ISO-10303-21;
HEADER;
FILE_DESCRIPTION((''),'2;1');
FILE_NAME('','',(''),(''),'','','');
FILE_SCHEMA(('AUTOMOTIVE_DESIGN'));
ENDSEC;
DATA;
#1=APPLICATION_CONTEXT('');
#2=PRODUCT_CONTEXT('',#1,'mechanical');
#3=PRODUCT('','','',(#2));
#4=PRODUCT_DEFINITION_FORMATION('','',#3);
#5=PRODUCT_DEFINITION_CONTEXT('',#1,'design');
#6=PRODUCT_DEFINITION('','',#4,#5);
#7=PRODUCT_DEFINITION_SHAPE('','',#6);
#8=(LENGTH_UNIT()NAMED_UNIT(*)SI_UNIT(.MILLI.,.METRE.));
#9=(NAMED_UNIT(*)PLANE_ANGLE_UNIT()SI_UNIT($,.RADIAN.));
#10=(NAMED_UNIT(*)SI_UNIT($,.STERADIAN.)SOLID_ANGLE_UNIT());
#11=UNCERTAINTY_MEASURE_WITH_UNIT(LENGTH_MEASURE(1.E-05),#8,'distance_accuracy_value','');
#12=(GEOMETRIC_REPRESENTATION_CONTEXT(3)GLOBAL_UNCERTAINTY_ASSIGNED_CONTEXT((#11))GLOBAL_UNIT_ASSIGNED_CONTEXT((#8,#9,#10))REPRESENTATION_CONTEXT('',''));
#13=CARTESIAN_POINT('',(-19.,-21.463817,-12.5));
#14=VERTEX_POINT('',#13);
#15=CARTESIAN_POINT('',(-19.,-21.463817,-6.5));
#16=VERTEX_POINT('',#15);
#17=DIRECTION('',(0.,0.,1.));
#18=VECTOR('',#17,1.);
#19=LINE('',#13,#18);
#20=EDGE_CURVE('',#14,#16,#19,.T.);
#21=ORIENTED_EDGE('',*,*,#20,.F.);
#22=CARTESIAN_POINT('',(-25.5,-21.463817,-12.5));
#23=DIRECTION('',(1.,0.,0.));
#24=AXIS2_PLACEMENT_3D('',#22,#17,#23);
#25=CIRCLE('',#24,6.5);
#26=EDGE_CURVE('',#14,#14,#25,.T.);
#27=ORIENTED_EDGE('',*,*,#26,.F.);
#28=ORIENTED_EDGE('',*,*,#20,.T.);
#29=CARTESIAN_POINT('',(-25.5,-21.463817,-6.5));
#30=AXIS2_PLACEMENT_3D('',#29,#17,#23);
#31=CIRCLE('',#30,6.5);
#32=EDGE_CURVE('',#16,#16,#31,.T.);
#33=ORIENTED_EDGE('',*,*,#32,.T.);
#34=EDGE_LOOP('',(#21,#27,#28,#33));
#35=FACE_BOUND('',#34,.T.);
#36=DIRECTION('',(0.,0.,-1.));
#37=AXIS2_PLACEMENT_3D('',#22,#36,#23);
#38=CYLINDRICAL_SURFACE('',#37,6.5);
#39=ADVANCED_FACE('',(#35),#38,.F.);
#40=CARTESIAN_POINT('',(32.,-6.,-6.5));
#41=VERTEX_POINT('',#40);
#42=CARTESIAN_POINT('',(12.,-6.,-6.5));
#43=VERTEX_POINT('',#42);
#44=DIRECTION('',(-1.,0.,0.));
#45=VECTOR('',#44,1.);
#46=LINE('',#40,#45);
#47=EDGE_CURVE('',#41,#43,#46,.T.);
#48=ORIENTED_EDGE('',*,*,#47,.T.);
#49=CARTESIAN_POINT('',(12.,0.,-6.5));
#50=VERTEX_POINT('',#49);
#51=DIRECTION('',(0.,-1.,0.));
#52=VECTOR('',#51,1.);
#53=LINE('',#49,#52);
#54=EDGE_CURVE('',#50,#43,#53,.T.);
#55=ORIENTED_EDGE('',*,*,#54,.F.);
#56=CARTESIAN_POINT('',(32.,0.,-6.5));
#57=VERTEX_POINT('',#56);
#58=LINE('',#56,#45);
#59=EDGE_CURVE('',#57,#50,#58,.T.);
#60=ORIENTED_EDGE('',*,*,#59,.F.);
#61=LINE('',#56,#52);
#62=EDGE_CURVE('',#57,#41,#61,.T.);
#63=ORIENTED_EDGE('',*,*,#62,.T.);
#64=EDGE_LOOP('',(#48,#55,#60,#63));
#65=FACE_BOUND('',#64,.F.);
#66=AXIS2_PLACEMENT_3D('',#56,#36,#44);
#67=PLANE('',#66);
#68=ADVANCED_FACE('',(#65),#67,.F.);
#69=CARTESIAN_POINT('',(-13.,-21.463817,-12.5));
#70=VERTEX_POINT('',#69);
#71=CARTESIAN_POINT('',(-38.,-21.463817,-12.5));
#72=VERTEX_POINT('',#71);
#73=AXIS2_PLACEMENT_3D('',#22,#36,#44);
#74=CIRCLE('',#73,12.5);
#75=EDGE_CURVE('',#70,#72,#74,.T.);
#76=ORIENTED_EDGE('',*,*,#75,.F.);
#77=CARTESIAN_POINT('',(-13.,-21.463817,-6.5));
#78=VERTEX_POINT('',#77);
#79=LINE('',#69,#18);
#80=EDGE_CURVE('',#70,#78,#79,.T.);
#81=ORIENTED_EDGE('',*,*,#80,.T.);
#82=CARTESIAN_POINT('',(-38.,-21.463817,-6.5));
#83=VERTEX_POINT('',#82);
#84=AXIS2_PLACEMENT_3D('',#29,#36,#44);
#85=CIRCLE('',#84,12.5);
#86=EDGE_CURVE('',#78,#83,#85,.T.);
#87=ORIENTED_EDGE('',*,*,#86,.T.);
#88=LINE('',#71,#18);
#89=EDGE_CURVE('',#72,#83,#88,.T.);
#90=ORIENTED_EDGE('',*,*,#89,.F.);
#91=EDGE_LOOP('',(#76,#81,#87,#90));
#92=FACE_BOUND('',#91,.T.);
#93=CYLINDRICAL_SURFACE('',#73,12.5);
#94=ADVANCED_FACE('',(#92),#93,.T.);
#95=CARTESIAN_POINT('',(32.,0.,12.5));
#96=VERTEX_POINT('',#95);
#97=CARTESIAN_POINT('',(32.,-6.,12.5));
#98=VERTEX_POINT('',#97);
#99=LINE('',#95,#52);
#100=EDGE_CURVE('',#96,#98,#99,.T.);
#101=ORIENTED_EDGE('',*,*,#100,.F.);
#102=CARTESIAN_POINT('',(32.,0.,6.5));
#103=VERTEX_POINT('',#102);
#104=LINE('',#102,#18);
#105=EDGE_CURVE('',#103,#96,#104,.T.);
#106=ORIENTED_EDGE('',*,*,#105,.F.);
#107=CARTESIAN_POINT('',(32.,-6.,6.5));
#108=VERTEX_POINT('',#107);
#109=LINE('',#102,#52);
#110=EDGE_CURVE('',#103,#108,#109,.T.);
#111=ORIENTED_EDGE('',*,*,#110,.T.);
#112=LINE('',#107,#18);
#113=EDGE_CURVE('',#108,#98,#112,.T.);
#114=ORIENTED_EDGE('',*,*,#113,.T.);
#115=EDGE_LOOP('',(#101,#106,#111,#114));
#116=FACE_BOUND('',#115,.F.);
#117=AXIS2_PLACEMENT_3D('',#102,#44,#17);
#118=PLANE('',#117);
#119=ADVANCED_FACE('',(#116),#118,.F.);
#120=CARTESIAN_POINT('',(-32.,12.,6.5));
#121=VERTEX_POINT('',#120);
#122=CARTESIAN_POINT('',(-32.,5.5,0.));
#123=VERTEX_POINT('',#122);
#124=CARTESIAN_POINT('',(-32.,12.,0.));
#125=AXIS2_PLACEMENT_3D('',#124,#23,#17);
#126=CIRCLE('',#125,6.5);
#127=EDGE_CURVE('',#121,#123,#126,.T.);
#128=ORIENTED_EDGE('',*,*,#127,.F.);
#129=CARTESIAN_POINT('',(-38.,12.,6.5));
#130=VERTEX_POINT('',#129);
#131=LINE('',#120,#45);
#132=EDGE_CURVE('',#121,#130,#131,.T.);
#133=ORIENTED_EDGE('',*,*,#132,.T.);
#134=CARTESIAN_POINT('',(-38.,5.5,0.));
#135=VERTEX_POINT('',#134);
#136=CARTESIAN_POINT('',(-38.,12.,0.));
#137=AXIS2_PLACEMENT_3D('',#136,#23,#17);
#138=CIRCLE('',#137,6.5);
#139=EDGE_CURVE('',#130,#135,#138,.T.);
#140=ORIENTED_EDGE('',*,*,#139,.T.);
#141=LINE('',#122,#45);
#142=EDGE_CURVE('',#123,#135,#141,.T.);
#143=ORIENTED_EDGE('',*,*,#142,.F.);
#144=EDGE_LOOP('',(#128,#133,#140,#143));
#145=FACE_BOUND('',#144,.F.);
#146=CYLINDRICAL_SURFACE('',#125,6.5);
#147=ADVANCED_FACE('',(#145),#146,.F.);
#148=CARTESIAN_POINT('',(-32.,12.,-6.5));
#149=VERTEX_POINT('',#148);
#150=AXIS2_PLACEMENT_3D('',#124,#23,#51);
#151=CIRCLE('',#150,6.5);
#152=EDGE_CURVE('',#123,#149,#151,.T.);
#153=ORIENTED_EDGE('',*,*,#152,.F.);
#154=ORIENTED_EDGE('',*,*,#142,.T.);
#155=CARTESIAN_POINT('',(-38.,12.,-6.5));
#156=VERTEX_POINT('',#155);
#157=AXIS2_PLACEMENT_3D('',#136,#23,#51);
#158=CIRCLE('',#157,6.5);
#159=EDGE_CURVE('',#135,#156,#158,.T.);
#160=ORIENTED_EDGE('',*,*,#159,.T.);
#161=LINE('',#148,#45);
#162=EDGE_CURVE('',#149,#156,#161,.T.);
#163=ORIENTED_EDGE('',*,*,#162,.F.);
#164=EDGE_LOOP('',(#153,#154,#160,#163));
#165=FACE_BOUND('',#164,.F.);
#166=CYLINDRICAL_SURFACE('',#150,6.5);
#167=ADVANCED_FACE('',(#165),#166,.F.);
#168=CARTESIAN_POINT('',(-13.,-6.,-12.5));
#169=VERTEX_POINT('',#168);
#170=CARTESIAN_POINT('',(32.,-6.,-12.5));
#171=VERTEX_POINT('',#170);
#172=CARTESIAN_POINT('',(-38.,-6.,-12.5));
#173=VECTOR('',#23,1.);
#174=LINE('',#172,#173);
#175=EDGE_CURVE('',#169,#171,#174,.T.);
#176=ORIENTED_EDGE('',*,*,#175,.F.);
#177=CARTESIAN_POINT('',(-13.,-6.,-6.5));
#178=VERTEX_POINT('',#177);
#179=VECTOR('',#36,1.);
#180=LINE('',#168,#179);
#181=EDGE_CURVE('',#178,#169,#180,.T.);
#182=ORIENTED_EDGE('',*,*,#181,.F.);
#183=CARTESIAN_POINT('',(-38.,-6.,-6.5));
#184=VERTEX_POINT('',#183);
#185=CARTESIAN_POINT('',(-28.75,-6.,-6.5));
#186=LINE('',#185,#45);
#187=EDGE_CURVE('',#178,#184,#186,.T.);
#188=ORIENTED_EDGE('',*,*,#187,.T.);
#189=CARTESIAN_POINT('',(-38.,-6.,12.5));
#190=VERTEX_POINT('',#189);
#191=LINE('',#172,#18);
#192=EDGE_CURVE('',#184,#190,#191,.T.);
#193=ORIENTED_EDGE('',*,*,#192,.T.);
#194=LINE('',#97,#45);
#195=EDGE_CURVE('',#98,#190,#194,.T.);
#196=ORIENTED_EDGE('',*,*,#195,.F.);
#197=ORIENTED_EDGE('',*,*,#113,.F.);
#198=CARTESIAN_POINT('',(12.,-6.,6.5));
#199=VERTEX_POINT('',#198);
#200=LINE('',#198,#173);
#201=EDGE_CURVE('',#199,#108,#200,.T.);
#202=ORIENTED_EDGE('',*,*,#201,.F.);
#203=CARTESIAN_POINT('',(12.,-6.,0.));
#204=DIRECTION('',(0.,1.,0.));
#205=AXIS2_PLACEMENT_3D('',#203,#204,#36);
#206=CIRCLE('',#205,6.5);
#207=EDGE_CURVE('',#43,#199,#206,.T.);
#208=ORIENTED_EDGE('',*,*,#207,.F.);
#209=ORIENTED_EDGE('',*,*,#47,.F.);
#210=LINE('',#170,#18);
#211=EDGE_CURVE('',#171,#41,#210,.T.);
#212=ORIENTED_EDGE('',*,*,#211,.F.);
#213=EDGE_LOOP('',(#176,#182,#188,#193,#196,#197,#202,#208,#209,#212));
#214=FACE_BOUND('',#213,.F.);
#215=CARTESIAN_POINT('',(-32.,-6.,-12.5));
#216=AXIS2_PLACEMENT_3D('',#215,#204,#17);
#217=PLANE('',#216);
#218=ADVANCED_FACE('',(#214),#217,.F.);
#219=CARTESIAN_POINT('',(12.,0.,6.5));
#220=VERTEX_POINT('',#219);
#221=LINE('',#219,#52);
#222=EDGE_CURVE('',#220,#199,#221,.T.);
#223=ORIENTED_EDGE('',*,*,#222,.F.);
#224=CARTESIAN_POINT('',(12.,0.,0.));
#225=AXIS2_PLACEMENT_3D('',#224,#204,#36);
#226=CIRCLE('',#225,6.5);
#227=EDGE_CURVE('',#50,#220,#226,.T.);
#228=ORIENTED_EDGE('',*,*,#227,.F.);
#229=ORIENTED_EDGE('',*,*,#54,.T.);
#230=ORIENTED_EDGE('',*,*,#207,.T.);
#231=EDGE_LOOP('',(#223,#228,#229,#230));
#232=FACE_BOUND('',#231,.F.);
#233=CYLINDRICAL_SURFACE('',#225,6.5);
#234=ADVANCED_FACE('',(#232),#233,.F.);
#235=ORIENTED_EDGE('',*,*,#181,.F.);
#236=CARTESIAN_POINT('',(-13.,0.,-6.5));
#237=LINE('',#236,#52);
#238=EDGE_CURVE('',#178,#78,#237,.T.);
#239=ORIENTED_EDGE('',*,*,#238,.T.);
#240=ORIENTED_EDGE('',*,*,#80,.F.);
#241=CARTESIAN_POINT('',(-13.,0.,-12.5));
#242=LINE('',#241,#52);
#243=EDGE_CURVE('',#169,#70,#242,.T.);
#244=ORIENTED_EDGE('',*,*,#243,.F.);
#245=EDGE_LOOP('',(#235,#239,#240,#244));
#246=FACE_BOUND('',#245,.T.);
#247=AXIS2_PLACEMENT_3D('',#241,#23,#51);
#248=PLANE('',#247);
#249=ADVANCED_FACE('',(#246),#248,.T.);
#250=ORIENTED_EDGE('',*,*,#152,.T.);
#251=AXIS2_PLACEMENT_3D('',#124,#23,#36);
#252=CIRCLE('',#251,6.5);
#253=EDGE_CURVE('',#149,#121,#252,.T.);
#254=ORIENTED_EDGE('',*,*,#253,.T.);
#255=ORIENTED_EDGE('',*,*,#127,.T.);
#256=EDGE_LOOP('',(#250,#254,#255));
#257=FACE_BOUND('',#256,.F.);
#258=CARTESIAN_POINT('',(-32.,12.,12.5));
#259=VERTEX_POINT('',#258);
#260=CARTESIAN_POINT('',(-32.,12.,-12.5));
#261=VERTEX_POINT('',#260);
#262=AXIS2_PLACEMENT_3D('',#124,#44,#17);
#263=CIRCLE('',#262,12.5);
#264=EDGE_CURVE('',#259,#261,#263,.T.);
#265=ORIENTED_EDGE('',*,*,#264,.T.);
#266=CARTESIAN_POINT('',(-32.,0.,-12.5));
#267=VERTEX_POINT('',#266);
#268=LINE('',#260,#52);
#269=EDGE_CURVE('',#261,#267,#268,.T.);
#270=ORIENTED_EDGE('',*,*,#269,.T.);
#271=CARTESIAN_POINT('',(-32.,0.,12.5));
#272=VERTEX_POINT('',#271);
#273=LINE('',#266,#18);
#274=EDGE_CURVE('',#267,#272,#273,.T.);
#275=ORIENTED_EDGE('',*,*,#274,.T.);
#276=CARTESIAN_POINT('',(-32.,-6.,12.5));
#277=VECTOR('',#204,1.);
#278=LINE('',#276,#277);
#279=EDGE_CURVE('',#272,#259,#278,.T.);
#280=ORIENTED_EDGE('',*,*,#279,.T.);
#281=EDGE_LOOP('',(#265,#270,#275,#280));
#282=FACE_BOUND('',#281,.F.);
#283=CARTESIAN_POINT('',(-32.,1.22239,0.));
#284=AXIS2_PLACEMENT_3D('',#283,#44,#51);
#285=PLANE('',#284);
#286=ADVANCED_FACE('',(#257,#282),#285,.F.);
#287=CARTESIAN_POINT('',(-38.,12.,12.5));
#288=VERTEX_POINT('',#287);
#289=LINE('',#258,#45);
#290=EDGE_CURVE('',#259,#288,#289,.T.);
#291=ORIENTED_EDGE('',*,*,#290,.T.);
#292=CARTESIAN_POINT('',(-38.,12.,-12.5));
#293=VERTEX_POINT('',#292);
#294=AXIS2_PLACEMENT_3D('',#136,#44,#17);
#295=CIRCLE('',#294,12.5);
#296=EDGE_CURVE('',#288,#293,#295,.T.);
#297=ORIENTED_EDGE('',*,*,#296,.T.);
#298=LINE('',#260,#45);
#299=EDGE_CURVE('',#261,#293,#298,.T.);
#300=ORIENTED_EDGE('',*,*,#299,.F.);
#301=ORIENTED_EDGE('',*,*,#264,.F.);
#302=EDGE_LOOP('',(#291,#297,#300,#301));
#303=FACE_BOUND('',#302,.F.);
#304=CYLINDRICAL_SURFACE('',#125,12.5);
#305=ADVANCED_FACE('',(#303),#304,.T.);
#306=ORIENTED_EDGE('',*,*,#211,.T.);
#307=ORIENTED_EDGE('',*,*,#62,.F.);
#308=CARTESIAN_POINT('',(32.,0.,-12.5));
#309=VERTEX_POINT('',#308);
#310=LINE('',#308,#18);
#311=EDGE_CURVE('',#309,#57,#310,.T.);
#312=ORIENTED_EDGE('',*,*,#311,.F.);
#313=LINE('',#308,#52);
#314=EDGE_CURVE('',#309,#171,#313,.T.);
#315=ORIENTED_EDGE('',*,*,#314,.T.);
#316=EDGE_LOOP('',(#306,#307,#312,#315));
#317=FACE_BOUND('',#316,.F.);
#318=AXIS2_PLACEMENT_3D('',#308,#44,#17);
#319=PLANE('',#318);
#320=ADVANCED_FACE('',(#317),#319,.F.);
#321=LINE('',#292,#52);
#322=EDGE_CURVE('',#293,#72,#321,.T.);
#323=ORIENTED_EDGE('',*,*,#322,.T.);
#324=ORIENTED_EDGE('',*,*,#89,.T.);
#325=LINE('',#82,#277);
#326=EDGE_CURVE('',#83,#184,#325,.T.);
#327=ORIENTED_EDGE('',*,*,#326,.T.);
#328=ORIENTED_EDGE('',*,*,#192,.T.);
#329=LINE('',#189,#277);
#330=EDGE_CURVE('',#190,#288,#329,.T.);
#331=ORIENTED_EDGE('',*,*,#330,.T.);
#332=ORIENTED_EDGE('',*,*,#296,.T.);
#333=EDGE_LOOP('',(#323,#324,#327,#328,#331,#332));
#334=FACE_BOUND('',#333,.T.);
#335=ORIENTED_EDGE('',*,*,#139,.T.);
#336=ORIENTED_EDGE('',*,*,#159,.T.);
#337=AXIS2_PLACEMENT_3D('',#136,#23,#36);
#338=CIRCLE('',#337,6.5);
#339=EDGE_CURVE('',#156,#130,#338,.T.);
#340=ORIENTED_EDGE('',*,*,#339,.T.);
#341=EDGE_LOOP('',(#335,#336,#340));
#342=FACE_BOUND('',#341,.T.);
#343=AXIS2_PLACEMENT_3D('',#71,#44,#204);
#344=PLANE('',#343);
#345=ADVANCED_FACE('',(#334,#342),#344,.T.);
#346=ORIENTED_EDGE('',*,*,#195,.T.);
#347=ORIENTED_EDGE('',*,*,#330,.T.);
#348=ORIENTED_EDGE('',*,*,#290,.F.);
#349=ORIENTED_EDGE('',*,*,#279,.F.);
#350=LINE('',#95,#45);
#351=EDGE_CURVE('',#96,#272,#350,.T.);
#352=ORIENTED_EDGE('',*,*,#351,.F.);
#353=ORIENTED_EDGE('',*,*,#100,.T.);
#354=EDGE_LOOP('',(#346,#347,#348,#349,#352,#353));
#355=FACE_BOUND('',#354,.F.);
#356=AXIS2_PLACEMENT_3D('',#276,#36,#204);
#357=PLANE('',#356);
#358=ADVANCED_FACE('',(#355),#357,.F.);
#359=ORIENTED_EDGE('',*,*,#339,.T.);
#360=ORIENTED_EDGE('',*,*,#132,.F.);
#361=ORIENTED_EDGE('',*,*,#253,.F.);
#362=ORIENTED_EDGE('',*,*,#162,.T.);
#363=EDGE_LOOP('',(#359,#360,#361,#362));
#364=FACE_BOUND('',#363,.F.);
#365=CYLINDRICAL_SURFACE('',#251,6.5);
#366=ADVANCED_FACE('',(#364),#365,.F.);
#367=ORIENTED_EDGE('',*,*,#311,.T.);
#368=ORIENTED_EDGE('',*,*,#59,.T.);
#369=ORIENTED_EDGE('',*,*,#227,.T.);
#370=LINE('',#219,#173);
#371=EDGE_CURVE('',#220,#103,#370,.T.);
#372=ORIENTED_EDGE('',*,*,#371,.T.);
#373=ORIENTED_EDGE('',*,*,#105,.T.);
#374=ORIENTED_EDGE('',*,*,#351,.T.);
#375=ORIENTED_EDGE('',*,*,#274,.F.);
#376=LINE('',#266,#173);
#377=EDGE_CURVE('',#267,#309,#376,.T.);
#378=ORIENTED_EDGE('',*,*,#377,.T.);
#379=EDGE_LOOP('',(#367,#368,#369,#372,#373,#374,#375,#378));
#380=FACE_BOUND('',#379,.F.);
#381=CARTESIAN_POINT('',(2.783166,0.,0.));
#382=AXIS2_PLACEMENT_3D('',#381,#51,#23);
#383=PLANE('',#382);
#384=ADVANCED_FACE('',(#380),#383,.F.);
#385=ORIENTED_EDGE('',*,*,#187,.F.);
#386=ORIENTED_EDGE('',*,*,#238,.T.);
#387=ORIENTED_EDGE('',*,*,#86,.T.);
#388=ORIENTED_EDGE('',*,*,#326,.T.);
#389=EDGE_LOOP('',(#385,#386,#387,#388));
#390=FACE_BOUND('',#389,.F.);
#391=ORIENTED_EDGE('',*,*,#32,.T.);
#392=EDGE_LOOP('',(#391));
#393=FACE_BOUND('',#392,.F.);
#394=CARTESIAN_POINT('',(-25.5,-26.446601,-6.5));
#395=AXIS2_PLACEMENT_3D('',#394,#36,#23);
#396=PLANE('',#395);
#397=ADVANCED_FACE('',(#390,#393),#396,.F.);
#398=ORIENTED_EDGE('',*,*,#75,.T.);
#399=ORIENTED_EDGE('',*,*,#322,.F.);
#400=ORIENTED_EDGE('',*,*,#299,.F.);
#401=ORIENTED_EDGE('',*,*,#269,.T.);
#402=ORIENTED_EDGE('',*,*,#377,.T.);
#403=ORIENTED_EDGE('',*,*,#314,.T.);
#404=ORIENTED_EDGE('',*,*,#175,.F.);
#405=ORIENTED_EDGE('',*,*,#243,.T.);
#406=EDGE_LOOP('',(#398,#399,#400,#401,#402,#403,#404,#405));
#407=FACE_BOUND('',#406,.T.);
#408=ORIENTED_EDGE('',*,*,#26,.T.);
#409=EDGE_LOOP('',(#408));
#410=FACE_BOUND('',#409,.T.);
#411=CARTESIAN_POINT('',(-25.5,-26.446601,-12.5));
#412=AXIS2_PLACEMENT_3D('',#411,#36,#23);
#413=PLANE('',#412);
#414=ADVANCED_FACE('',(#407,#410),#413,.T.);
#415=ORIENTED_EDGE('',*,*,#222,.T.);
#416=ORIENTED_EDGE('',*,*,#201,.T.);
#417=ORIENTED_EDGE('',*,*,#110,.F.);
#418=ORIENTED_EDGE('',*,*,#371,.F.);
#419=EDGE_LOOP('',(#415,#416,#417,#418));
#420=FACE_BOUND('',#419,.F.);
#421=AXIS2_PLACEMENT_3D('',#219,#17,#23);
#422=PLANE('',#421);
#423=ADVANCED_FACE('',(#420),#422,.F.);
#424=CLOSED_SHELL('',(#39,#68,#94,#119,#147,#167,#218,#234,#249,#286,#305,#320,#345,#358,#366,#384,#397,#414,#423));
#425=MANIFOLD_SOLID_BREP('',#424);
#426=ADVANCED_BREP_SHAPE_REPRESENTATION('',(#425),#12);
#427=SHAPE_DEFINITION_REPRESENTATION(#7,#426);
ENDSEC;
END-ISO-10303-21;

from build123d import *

# Parameters (mm, degrees)
F1_DEPTH = 6
F3_DEPTH = 6
F5_DEPTH = 6


with BuildPart() as f1:
    # F0 (on Front) → F1 (new body)
    with BuildSketch(Plane.XZ):
        with BuildLine():
            Line((32, 12.5), (-32, 12.5))
            Line((-32, 12.5), (-32, -12.5))
            Line((-32, -12.5), (32, -12.5))
            Line((32, -12.5), (32, -6.5))
            Line((32, -6.5), (12, -6.5))
            ThreePointArc((12, -6.5), (5.5, 0), (12, 6.5))
            Line((12, 6.5), (32, 6.5))
            Line((32, 6.5), (32, 12.5))
        make_face()
    extrude(amount=F1_DEPTH)

    # F2 (on face) → F3 (join)
    with BuildSketch(Plane(origin=(-32, 0, 0), x_dir=(0, -1, 0), z_dir=(-1, 0, 0))):
        with BuildLine():
            Line((6, -12.5), (6, 12.5))
            Line((6, 12.5), (-12, 12.5))
            ThreePointArc((-12, 12.5), (-3.1611652352, 8.8388347648), (0.5, 0))
            ThreePointArc((0.5, 0), (-3.1611652352, -8.8388347648), (-12, -12.5))
            Line((-12, -12.5), (6, -12.5))
        make_face()
        with BuildLine():
            ThreePointArc((0.5, 0), (-3.1611652352, 8.8388347648), (-12, 12.5))
            Line((-12, 12.5), (-12, 6.5))
            ThreePointArc((-12, 6.5), (-7.4038059223, 4.5961940777), (-5.5, 0))
            ThreePointArc((-5.5, 0), (-7.4038059223, -4.5961940777), (-12, -6.5))
            Line((-12, -6.5), (-12, -12.5))
            ThreePointArc((-12, -12.5), (-3.1611652352, -8.8388347648), (0.5, 0))
        make_face()
        with BuildLine():
            Line((-12, 6.5), (-12, 12.5))
            ThreePointArc((-12, 12.5), (-24.5, 0), (-12, -12.5))
            Line((-12, -12.5), (-12, -6.5))
            ThreePointArc((-12, -6.5), (-18.5, 0), (-12, 6.5))
        make_face()
    extrude(amount=F3_DEPTH)

    # F4 (on face) → F5 (join)
    with BuildSketch(Plane(origin=(0, 0, -12.5), x_dir=(1, 0, 0), z_dir=(0, 0, -1))):
        with BuildLine():
            ThreePointArc((-13, 21.4638169855), (-25.5, 33.9638169855), (-38, 21.4638169855))
            Line((-38, 21.4638169855), (-32, 21.4638169855))
            ThreePointArc((-32, 21.4638169855), (-25.5, 27.9638169855), (-19, 21.4638169855))
            Line((-19, 21.4638169855), (-13, 21.4638169855))
        make_face()
        with BuildLine():
            Line((-32, 21.4638169855), (-38, 21.4638169855))
            ThreePointArc((-38, 21.4638169855), (-25.5, 8.9638169855), (-13, 21.4638169855))
            Line((-13, 21.4638169855), (-19, 21.4638169855))
            ThreePointArc((-19, 21.4638169855), (-25.5, 14.9638169855), (-32, 21.4638169855))
        make_face()
        Polygon((-38, 6), (-38, 0), (-32, 0), (-13, 0), (-13, 6), align=None)
        with BuildLine():
            Line((-38, 21.4638169855), (-38, 6))
            Line((-38, 6), (-13, 6))
            Line((-13, 6), (-13, 21.4638169855))
            ThreePointArc((-13, 21.4638169855), (-25.5, 8.9638169855), (-38, 21.4638169855))
        make_face()
    extrude(amount=-F5_DEPTH)


solid = f1.part
